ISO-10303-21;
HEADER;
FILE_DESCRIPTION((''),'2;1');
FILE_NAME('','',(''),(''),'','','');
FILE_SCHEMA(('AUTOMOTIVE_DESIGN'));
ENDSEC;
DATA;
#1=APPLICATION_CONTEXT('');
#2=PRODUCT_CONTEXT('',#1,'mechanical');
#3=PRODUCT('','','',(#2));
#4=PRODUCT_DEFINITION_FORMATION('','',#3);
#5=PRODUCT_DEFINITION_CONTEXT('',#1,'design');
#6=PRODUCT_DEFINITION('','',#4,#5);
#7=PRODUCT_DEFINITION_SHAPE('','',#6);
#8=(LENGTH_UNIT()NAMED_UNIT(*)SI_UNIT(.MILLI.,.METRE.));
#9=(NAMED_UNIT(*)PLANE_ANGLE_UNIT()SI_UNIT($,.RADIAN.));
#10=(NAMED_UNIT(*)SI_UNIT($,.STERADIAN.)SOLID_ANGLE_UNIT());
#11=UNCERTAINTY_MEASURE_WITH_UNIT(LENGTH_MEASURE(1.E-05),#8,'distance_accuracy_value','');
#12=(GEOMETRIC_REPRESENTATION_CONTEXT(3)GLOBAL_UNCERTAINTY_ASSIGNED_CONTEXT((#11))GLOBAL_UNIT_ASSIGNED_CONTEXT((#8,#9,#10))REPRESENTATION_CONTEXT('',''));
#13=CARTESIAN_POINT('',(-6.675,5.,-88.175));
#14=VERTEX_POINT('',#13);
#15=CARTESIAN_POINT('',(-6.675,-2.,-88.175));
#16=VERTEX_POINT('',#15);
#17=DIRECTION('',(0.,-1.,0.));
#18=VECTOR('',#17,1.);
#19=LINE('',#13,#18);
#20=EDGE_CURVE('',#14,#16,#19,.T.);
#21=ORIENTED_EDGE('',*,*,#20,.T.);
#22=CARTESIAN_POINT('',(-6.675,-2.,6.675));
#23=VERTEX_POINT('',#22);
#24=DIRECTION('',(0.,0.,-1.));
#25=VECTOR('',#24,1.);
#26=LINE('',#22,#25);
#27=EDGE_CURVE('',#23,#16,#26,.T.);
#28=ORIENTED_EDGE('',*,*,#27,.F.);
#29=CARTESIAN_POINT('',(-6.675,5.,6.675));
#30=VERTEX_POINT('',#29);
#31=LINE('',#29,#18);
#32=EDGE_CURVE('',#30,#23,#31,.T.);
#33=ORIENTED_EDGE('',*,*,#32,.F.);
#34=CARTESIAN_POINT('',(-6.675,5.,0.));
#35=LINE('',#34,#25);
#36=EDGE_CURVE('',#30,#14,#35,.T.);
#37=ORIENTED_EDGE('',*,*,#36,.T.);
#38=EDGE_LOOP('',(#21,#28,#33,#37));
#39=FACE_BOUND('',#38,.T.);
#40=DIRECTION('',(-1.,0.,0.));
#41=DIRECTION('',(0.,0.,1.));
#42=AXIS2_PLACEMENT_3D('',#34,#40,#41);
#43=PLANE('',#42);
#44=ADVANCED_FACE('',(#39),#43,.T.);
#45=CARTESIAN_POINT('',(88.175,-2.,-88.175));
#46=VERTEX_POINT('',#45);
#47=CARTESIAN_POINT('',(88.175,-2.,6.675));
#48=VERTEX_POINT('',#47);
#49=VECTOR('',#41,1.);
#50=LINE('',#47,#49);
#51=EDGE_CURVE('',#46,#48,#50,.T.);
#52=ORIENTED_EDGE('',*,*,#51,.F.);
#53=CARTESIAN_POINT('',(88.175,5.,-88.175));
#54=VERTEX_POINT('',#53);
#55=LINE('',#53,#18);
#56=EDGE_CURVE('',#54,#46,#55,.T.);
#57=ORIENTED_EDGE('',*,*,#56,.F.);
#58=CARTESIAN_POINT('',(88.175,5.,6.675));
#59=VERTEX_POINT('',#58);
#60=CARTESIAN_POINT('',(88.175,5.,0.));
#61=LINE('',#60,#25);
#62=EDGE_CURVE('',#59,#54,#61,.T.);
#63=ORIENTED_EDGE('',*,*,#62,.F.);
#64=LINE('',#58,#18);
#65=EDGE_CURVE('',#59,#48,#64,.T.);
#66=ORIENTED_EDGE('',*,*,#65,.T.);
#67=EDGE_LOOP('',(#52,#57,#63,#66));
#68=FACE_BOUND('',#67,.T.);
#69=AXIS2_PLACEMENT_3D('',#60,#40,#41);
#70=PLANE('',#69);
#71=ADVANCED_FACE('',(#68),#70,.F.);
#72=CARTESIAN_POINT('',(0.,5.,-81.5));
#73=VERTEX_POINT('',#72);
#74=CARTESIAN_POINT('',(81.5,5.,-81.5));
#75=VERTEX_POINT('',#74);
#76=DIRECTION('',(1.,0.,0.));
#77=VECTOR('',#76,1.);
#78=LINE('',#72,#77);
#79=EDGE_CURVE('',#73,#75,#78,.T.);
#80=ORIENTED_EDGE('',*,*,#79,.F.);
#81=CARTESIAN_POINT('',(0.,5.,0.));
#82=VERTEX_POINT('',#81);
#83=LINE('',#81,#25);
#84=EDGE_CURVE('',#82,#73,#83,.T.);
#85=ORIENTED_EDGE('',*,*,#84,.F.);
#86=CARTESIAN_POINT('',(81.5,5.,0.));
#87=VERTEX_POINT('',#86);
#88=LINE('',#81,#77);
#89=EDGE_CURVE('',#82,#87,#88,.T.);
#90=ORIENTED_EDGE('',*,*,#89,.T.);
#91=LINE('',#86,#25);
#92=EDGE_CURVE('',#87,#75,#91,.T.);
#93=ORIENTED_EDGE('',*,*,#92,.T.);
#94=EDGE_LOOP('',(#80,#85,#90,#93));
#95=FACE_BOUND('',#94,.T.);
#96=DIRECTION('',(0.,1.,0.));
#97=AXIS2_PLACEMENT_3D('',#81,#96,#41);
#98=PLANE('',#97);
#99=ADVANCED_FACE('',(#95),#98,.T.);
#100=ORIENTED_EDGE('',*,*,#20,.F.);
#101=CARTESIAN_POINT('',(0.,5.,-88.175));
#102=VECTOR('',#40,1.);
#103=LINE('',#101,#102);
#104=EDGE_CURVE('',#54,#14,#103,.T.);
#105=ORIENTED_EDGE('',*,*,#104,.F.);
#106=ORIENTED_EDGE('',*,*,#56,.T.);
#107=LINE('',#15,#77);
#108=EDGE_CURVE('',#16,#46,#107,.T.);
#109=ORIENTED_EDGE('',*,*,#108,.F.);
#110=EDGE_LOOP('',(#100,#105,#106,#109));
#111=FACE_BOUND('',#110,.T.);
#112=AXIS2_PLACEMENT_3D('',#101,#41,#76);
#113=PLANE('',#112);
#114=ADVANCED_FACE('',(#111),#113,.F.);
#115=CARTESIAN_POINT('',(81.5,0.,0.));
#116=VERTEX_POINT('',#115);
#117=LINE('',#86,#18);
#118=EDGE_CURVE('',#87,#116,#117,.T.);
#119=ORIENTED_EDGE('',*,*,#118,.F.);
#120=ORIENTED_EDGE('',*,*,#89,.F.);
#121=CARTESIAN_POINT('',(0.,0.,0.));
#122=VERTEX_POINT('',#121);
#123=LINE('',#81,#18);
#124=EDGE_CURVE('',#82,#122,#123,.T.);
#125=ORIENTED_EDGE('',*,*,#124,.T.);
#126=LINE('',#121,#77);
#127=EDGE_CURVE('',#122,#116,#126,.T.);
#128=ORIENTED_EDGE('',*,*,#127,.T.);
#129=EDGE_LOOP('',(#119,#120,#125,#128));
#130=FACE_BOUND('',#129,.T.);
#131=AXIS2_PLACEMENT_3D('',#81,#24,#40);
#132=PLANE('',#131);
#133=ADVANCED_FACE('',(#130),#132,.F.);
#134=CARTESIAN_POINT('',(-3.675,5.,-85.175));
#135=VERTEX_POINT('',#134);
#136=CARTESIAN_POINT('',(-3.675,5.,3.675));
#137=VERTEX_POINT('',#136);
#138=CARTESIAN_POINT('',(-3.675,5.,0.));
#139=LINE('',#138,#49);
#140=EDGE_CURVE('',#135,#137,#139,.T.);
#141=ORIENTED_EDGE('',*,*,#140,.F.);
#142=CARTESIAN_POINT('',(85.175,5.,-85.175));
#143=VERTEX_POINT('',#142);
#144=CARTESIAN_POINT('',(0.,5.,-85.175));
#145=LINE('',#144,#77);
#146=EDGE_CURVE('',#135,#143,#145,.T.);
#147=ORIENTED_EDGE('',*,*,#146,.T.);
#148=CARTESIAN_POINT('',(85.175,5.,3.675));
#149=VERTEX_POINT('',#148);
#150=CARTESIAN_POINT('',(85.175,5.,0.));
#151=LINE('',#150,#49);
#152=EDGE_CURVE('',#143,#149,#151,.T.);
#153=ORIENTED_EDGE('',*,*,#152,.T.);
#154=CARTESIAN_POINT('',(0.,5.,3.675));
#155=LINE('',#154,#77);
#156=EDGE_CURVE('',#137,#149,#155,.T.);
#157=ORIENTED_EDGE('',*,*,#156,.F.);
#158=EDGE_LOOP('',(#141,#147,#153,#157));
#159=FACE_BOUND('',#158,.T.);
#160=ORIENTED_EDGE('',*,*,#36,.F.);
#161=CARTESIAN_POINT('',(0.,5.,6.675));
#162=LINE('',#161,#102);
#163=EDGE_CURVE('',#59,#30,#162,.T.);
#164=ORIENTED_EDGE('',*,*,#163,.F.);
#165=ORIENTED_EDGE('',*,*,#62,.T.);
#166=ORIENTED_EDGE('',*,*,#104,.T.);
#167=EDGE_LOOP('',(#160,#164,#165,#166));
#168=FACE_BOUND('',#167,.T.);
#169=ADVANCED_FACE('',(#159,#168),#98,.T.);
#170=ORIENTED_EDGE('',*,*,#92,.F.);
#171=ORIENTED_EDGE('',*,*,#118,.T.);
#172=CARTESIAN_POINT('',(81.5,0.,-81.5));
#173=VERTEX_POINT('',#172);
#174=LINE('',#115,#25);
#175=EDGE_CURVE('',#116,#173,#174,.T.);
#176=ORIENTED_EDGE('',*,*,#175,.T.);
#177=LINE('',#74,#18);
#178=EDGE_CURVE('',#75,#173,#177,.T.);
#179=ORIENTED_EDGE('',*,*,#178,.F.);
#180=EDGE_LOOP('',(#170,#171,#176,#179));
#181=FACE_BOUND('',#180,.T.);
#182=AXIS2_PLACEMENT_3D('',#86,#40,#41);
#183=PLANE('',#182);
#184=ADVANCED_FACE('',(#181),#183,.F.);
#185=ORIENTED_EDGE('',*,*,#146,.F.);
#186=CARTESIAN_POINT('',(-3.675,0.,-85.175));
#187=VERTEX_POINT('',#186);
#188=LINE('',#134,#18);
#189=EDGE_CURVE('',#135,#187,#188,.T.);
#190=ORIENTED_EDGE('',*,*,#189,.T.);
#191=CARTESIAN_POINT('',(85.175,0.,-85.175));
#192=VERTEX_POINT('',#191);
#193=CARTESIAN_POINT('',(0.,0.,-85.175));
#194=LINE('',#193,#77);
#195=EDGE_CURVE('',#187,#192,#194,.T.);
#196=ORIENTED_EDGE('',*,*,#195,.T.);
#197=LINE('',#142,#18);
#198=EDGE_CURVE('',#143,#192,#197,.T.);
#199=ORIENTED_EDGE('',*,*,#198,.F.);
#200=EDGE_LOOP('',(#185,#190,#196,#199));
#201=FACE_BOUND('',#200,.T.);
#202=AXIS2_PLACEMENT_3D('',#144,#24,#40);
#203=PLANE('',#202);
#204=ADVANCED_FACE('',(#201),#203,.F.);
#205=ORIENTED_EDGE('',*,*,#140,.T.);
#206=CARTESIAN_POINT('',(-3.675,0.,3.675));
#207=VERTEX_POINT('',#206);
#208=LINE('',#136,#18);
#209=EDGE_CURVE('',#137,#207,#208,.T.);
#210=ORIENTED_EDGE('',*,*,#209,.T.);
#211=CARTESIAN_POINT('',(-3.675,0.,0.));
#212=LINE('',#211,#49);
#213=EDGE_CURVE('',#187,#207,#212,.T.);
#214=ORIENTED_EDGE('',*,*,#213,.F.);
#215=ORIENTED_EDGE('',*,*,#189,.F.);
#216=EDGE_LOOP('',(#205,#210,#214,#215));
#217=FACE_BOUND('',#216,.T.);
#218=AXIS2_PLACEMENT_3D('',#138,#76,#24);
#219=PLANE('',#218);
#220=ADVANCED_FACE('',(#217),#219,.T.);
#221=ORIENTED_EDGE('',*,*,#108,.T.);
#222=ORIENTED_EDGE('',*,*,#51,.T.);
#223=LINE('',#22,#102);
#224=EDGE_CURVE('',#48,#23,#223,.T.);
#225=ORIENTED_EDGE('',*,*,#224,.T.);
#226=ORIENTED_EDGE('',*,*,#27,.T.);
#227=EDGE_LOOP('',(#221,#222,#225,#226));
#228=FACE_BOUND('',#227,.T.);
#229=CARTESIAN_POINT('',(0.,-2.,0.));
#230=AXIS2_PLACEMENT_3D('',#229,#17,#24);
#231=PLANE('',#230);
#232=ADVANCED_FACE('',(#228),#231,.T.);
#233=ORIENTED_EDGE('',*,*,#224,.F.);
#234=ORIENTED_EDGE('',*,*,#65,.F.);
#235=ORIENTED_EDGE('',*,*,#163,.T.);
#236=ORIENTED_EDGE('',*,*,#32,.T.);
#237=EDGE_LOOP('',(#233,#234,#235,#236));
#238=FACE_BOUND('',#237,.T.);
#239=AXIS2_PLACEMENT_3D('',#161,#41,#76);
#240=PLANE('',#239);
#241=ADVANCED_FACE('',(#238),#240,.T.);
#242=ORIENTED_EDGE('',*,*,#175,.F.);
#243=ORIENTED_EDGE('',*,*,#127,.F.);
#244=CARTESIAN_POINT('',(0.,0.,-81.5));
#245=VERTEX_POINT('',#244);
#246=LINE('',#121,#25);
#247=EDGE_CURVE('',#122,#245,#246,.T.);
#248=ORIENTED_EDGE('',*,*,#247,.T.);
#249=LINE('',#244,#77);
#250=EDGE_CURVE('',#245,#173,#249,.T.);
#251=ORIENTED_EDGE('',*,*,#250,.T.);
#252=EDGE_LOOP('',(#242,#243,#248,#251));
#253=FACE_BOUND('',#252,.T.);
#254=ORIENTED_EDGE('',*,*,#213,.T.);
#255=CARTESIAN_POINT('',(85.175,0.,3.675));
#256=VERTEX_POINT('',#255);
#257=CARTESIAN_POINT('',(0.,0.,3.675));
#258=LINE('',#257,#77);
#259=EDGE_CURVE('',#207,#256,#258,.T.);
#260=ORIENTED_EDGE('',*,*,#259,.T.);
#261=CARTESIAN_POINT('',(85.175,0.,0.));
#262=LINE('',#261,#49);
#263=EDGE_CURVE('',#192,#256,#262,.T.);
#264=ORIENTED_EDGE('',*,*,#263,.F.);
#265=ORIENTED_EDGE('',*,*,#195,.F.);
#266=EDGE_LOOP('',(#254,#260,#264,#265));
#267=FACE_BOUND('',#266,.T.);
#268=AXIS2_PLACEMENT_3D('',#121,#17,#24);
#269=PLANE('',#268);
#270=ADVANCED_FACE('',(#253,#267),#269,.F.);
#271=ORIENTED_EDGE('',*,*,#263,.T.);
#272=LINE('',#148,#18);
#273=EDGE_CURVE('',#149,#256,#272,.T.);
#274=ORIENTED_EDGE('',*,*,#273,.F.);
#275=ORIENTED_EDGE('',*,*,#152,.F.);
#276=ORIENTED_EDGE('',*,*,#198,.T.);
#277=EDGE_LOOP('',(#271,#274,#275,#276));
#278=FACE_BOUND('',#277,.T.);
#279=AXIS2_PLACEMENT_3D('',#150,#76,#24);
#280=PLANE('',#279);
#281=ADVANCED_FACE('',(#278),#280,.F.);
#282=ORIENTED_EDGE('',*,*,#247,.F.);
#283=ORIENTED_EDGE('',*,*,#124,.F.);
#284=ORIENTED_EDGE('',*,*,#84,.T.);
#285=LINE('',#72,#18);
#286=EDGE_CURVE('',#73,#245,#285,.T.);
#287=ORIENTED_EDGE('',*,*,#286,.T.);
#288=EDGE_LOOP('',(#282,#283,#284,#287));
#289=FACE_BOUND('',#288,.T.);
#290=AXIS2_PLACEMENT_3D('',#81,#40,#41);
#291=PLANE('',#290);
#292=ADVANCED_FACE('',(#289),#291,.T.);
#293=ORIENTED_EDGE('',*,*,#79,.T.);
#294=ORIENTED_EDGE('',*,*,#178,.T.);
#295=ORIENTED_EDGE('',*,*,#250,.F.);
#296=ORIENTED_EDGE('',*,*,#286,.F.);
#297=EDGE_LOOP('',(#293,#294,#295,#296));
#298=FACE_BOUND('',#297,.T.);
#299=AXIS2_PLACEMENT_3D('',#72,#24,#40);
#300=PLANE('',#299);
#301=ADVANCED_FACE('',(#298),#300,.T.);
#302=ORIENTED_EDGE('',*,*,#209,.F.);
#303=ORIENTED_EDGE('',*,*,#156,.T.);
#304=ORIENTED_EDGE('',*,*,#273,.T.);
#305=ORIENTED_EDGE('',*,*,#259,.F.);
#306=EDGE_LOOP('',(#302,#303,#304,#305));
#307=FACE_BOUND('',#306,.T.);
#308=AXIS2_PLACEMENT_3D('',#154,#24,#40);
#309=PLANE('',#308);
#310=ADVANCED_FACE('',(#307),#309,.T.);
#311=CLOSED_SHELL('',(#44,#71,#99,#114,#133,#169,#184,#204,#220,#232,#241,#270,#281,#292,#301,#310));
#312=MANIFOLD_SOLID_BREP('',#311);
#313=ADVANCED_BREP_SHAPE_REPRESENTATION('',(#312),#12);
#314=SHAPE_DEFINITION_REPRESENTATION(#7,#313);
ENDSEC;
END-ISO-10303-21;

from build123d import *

# Parameters (mm, degrees)
SKETCH1_W             = 94.85
SKETCH1_H             = 94.85
SKETCH1_W_2           = 88.85
SKETCH1_H_2           = 88.85
BOSS_EXTRUDE1_DEPTH   = 5
SKETCH1_W_3           = 81.5
SKETCH1_H_3           = 81.5
BOSS_EXTRUDE1_2_DEPTH = 5
SKETCH2_W             = 94.85
SKETCH2_H             = 94.85
BOSS_EXTRUDE2_DEPTH   = 2


with BuildPart() as part:
    # Sketch1 → Boss-Extrude1 (new body)
    with BuildSketch(Plane(origin=(0, 0, 0), x_dir=(1, 0, 0), z_dir=(0, 1, 0))):
        with Locations((40.75, 40.75)):
            Rectangle(SKETCH1_W, SKETCH1_H)
        with Locations((40.75, 40.75)):
            Rectangle(SKETCH1_W_2, SKETCH1_H_2, mode=Mode.SUBTRACT)
    extrude(amount=BOSS_EXTRUDE1_DEPTH)



with BuildPart() as body_2:
    # Sketch1 → Boss-Extrude1 2 (new body)
    with BuildSketch(Plane(origin=(0, 0, 0), x_dir=(1, 0, 0), z_dir=(0, 1, 0))):
        with Locations((40.75, 40.75)):
            Rectangle(SKETCH1_W_3, SKETCH1_H_3)
    extrude(amount=BOSS_EXTRUDE1_2_DEPTH)


with BuildPart() as part_1:
    add(part.part)

    add(body_2.part)  # Boss-Extrude2 merges body 2
    # Sketch2 → Boss-Extrude2 (add)
    with BuildSketch(Plane.XZ):
        with Locations((40.75, -40.75)):
            Rectangle(SKETCH2_W, SKETCH2_H)
    extrude(amount=BOSS_EXTRUDE2_DEPTH)


solid = part_1.part
